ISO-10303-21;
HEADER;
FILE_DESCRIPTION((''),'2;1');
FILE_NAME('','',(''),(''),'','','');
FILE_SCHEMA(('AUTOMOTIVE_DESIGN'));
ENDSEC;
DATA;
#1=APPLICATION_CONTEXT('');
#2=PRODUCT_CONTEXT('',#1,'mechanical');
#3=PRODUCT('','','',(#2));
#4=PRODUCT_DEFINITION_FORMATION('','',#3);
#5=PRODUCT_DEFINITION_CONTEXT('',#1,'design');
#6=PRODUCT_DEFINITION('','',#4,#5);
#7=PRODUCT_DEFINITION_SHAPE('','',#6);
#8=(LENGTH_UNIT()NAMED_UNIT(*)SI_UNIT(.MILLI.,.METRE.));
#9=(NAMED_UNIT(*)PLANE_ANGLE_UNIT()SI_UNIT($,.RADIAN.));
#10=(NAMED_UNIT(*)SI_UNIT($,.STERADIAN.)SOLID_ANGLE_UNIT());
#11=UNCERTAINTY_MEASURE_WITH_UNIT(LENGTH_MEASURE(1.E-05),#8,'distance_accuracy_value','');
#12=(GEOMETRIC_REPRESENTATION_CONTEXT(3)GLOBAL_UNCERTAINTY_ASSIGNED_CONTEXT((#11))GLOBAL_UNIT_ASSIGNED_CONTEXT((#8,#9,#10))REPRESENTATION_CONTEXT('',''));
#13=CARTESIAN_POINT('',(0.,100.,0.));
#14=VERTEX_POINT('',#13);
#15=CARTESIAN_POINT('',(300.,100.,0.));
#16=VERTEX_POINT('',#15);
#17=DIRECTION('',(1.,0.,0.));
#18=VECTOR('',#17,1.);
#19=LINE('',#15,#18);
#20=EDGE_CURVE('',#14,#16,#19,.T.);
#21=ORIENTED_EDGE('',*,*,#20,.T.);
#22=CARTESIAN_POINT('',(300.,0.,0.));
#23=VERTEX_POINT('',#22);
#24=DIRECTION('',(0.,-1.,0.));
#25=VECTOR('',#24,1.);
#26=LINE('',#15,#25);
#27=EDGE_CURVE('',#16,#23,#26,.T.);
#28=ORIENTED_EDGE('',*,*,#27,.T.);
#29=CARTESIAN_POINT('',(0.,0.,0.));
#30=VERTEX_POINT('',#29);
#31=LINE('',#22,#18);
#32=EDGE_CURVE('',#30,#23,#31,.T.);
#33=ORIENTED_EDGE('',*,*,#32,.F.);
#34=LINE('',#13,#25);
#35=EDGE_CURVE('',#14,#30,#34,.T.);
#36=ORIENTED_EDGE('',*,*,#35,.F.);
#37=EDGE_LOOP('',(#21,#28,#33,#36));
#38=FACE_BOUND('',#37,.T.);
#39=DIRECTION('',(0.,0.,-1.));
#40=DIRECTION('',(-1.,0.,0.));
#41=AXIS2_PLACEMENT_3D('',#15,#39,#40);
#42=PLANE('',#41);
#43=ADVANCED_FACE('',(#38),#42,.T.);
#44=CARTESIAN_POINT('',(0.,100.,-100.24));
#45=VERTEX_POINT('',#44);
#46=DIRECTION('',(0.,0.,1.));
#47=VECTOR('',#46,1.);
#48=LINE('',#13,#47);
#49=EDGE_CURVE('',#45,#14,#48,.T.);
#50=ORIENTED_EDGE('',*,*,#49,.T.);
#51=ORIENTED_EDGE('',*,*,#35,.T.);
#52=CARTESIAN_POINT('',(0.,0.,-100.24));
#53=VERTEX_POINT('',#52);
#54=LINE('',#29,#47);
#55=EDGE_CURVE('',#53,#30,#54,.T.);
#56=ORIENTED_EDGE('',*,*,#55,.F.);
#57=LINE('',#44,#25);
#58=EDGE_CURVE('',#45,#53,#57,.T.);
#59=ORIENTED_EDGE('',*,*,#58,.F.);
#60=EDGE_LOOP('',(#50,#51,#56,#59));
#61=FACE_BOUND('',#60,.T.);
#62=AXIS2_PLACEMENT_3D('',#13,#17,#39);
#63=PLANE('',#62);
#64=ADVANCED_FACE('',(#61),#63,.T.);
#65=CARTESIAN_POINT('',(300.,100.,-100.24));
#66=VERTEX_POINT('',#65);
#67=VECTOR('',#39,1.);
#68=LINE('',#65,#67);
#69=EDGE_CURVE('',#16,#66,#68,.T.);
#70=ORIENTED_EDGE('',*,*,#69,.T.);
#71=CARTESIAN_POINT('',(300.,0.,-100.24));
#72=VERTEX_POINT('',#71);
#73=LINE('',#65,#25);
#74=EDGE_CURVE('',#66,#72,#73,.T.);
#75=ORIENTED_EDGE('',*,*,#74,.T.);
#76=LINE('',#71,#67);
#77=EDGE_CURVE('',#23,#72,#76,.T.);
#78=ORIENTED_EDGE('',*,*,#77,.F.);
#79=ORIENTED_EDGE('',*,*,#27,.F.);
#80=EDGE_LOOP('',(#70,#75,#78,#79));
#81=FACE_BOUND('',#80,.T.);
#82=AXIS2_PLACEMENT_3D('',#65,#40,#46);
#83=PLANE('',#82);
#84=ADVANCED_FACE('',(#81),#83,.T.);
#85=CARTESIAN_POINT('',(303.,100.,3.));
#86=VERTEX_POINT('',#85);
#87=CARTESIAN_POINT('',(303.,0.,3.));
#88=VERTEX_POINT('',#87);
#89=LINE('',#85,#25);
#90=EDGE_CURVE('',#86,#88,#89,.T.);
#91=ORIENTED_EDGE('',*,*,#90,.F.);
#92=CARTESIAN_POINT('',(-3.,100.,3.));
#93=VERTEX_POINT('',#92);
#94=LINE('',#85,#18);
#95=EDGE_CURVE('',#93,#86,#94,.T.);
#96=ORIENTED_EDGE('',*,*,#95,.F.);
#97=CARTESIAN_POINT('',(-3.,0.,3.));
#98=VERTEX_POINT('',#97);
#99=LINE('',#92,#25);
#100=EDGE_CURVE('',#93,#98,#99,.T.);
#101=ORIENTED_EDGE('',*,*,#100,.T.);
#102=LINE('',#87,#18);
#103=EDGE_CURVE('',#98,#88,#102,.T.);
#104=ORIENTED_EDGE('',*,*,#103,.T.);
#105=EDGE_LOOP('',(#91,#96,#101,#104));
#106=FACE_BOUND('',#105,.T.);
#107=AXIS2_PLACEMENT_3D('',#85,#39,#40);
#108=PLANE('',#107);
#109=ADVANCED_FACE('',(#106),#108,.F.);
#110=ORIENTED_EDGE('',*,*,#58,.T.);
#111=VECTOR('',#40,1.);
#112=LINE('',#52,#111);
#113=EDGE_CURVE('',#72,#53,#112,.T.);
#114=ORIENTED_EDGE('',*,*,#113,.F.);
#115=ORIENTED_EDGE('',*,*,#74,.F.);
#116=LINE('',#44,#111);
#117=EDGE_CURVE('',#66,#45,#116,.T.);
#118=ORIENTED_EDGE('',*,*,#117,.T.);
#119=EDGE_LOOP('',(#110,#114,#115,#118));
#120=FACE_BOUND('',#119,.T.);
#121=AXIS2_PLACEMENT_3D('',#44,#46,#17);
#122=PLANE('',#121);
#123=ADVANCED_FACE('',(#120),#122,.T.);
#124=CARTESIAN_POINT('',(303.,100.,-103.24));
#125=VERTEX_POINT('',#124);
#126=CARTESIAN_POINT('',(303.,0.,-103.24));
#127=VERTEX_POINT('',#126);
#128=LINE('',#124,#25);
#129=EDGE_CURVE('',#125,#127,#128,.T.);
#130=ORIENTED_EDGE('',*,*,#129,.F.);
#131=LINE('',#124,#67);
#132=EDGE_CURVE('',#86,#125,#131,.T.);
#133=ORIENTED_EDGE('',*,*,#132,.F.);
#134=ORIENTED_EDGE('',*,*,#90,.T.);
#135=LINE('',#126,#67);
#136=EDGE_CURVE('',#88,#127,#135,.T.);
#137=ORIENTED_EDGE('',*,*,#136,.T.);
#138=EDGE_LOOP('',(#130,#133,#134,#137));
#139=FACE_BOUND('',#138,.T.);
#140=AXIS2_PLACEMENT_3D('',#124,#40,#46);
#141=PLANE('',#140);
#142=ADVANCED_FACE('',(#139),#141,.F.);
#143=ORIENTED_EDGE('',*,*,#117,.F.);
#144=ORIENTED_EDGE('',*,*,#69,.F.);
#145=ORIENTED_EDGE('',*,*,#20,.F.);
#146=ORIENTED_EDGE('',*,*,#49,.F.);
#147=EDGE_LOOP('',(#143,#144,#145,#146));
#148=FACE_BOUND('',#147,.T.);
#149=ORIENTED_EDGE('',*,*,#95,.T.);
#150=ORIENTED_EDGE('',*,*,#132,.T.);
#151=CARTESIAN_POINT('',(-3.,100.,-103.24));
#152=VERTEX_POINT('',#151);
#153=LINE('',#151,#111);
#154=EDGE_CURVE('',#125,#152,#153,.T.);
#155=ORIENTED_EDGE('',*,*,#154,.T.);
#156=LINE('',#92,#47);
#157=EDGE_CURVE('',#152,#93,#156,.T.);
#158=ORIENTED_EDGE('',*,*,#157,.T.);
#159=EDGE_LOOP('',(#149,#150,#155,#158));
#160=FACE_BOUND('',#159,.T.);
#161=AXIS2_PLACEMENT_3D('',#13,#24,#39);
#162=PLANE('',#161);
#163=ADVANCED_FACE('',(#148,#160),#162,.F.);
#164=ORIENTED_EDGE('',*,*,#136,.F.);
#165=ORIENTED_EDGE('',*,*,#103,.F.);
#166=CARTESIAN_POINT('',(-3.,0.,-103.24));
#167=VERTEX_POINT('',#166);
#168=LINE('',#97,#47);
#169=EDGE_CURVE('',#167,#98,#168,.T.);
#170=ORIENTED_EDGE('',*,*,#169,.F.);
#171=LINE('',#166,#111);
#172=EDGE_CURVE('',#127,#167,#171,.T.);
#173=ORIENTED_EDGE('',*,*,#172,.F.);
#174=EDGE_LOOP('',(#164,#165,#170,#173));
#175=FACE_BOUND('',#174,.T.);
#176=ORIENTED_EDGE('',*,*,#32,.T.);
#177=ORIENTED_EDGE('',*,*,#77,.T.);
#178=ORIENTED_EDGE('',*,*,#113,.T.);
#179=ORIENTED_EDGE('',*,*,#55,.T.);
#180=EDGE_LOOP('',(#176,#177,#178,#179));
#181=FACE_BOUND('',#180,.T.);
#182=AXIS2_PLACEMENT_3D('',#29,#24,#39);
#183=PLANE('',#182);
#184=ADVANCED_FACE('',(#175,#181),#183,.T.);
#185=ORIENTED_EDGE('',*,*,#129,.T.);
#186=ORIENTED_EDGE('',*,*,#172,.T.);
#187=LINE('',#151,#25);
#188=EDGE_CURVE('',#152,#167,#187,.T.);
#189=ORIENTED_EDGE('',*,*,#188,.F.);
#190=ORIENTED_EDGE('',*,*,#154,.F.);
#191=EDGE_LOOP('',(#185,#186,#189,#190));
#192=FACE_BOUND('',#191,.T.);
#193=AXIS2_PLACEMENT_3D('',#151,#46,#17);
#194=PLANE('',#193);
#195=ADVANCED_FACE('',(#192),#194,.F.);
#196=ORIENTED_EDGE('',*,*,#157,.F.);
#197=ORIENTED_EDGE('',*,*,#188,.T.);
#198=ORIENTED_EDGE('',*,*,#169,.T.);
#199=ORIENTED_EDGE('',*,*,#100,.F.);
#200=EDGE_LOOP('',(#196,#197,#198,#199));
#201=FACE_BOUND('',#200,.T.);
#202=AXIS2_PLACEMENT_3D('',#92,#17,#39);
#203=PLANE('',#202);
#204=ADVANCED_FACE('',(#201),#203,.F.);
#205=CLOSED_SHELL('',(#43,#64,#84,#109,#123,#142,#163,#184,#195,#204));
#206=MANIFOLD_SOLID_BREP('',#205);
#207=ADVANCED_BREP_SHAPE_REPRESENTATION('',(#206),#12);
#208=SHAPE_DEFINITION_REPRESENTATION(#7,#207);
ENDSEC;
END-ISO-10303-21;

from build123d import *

# Parameters (mm, degrees)
SKETCH2_W           = 306
SKETCH2_H           = 106.24
SKETCH2_W_2         = 300
SKETCH2_H_2         = 100.24
BOSS_EXTRUDE1_DEPTH = 100


with BuildPart() as part:
    # Sketch2 → Boss-Extrude1 (new body)
    with BuildSketch(Plane(origin=(0, 0, 0), x_dir=(1, 0, 0), z_dir=(0, 1, 0))):
        with Locations((150, 50.12)):
            Rectangle(SKETCH2_W, SKETCH2_H)
        with Locations((150, 50.12)):
            Rectangle(SKETCH2_W_2, SKETCH2_H_2, mode=Mode.SUBTRACT)
    extrude(amount=BOSS_EXTRUDE1_DEPTH)


solid = part.part
